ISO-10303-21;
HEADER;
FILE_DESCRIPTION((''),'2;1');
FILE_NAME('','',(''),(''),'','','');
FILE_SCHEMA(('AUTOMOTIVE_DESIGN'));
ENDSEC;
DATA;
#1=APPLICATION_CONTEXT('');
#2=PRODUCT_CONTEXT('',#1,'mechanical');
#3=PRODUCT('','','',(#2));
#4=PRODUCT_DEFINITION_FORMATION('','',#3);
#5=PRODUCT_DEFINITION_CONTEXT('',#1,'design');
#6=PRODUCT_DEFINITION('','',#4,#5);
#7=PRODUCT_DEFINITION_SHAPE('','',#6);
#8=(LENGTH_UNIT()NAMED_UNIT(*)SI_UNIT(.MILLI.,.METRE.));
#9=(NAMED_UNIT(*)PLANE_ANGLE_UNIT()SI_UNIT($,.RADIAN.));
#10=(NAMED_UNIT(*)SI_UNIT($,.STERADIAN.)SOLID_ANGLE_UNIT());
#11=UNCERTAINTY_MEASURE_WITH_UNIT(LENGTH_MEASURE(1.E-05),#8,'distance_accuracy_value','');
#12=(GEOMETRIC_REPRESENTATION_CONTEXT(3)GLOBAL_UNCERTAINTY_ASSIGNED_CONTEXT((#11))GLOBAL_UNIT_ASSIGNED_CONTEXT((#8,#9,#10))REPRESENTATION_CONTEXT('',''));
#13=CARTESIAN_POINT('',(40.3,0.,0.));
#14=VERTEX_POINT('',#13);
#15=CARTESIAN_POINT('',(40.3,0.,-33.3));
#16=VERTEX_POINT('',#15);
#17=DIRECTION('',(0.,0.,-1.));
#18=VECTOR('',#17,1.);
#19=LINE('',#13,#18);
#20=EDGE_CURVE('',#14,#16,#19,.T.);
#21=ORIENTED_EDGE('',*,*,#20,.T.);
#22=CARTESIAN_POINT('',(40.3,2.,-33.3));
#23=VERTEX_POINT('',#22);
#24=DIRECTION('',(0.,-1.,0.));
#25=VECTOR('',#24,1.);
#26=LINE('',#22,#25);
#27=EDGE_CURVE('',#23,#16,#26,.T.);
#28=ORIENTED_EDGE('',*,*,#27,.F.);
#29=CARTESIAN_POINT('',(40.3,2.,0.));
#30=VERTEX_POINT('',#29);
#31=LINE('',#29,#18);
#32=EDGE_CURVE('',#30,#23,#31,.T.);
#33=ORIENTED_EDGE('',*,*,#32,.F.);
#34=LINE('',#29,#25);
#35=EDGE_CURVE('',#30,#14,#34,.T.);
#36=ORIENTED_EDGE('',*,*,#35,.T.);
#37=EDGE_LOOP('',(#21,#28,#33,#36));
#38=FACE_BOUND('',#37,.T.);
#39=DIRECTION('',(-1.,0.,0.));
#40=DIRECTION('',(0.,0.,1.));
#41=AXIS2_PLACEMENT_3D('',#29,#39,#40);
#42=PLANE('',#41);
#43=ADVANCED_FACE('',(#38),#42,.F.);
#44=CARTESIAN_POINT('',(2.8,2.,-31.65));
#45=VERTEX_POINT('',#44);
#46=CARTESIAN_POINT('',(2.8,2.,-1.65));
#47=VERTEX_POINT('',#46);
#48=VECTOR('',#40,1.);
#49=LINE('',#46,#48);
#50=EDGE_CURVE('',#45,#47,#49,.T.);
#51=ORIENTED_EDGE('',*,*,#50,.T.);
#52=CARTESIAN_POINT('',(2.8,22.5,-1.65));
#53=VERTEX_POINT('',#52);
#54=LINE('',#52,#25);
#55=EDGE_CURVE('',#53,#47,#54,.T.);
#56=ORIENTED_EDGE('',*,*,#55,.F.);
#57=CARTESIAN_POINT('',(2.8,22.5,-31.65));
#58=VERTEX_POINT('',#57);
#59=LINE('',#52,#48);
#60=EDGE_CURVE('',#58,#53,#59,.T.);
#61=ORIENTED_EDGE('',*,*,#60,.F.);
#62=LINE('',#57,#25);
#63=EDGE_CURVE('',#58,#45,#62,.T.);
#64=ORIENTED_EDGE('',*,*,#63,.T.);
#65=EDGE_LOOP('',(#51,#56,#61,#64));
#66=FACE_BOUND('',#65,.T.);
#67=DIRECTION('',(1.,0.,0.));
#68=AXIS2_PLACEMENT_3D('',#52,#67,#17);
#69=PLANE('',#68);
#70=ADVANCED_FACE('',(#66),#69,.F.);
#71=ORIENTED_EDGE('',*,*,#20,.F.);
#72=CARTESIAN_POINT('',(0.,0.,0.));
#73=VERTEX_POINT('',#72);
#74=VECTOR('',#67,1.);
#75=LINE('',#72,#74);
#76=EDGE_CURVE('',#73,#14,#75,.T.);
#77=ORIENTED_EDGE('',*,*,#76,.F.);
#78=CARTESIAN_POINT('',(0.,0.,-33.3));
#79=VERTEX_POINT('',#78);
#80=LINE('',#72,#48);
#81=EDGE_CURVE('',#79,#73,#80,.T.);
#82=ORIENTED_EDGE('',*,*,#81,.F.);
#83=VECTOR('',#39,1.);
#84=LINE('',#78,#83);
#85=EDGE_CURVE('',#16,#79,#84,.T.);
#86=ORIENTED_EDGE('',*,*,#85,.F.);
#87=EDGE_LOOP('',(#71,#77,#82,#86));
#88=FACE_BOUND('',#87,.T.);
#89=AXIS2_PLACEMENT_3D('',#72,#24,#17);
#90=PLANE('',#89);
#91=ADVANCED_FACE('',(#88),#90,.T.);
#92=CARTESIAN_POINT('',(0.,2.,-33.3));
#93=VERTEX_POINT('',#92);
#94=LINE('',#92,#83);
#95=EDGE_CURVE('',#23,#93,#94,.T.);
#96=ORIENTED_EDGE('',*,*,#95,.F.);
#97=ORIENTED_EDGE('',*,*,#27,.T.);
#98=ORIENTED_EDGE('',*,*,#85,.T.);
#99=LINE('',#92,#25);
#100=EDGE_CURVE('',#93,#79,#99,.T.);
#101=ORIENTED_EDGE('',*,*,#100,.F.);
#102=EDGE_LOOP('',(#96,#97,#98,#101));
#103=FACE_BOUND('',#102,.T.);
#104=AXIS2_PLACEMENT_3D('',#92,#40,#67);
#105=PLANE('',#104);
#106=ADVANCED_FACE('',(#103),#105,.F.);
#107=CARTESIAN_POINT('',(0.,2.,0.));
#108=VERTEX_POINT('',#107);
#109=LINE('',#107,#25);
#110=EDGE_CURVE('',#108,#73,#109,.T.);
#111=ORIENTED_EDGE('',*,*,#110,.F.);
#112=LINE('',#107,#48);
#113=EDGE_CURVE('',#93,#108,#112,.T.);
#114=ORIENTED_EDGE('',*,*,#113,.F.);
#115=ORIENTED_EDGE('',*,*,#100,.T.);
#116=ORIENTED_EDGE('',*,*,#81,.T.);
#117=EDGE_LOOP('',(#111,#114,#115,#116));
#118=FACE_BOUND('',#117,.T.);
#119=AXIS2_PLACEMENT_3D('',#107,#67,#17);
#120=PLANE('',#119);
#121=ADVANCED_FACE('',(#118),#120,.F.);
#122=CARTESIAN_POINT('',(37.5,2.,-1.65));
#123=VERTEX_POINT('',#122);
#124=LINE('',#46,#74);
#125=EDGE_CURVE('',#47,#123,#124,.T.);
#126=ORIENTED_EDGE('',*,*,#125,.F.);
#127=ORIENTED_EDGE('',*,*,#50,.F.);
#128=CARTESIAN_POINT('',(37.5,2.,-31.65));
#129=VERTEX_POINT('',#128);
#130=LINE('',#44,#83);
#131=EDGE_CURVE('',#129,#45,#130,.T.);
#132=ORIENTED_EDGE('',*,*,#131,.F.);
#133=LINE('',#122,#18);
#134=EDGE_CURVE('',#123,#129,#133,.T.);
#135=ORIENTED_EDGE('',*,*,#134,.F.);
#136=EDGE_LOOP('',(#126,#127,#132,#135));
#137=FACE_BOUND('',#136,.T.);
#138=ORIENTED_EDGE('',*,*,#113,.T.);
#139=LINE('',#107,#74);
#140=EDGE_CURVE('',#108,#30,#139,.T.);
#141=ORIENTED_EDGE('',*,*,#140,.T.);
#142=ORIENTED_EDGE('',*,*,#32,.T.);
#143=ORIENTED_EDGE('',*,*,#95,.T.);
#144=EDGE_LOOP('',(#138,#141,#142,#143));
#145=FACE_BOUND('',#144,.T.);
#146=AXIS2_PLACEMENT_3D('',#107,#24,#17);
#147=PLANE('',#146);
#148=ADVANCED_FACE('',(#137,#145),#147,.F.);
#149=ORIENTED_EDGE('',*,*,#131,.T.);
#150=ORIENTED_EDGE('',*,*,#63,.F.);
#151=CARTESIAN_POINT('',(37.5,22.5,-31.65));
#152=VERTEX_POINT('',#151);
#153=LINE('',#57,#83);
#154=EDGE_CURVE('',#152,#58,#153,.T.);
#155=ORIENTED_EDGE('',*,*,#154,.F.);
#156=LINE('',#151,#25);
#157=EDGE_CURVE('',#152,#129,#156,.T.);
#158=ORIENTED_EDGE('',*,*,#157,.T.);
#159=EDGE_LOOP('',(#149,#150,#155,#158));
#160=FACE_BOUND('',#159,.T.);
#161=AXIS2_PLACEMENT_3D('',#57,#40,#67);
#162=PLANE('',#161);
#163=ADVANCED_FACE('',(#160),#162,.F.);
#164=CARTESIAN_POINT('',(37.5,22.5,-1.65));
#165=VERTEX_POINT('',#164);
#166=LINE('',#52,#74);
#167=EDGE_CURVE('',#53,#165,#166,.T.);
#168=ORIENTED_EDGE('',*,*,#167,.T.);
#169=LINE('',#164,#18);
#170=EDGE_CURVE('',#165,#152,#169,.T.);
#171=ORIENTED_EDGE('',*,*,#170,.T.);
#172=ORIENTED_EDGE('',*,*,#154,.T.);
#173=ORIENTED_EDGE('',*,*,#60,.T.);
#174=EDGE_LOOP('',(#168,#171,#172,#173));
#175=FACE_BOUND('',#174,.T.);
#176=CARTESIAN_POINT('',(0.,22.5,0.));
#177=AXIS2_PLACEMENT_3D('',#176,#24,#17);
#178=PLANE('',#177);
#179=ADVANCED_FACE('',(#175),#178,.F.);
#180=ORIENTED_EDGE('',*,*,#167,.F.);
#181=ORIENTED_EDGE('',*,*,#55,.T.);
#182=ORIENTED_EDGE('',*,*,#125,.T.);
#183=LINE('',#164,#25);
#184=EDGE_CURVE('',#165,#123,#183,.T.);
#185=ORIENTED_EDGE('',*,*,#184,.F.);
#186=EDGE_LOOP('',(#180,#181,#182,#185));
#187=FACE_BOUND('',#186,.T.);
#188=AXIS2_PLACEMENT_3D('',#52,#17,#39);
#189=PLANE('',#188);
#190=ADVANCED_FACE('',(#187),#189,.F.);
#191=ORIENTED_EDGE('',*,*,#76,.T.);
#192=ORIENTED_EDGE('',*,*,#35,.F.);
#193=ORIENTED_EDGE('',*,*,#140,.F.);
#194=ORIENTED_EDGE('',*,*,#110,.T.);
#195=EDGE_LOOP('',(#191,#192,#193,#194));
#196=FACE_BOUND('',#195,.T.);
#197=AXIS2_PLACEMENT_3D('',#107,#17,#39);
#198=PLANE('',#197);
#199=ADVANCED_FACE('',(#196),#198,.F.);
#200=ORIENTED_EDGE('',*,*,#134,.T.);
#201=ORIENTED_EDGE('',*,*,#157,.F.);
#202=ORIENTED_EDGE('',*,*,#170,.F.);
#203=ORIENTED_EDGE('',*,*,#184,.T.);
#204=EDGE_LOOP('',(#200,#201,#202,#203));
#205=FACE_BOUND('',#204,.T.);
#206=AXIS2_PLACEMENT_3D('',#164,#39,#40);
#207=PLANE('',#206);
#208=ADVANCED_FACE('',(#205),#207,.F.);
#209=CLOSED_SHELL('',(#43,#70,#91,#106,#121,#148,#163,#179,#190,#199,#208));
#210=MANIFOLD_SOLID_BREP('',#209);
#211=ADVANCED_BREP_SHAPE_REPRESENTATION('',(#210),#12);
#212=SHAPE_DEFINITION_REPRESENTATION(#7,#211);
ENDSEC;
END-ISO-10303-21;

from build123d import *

# Parameters (mm, degrees)
SKETCH1_W           = 40.3
SKETCH1_H           = 33.3
BOSS_EXTRUDE1_DEPTH = 2
SKETCH2_W           = 34.7
SKETCH2_H           = 30
BOSS_EXTRUDE2_DEPTH = 20.5


with BuildPart() as part:
    # Sketch1 → Boss-Extrude1 (new body)
    with BuildSketch(Plane(origin=(0, 0, 0), x_dir=(1, 0, 0), z_dir=(0, 1, 0))):
        with Locations((20.15, 16.65)):
            Rectangle(SKETCH1_W, SKETCH1_H)
    extrude(amount=BOSS_EXTRUDE1_DEPTH)

    # Sketch2 → Boss-Extrude2 (add)
    with BuildSketch(Plane(origin=(0, 2, 0), x_dir=(1, 0, 0), z_dir=(0, 1, 0))):
        with Locations((20.15, 16.65)):
            Rectangle(SKETCH2_W, SKETCH2_H)
    extrude(amount=BOSS_EXTRUDE2_DEPTH)


solid = part.part
